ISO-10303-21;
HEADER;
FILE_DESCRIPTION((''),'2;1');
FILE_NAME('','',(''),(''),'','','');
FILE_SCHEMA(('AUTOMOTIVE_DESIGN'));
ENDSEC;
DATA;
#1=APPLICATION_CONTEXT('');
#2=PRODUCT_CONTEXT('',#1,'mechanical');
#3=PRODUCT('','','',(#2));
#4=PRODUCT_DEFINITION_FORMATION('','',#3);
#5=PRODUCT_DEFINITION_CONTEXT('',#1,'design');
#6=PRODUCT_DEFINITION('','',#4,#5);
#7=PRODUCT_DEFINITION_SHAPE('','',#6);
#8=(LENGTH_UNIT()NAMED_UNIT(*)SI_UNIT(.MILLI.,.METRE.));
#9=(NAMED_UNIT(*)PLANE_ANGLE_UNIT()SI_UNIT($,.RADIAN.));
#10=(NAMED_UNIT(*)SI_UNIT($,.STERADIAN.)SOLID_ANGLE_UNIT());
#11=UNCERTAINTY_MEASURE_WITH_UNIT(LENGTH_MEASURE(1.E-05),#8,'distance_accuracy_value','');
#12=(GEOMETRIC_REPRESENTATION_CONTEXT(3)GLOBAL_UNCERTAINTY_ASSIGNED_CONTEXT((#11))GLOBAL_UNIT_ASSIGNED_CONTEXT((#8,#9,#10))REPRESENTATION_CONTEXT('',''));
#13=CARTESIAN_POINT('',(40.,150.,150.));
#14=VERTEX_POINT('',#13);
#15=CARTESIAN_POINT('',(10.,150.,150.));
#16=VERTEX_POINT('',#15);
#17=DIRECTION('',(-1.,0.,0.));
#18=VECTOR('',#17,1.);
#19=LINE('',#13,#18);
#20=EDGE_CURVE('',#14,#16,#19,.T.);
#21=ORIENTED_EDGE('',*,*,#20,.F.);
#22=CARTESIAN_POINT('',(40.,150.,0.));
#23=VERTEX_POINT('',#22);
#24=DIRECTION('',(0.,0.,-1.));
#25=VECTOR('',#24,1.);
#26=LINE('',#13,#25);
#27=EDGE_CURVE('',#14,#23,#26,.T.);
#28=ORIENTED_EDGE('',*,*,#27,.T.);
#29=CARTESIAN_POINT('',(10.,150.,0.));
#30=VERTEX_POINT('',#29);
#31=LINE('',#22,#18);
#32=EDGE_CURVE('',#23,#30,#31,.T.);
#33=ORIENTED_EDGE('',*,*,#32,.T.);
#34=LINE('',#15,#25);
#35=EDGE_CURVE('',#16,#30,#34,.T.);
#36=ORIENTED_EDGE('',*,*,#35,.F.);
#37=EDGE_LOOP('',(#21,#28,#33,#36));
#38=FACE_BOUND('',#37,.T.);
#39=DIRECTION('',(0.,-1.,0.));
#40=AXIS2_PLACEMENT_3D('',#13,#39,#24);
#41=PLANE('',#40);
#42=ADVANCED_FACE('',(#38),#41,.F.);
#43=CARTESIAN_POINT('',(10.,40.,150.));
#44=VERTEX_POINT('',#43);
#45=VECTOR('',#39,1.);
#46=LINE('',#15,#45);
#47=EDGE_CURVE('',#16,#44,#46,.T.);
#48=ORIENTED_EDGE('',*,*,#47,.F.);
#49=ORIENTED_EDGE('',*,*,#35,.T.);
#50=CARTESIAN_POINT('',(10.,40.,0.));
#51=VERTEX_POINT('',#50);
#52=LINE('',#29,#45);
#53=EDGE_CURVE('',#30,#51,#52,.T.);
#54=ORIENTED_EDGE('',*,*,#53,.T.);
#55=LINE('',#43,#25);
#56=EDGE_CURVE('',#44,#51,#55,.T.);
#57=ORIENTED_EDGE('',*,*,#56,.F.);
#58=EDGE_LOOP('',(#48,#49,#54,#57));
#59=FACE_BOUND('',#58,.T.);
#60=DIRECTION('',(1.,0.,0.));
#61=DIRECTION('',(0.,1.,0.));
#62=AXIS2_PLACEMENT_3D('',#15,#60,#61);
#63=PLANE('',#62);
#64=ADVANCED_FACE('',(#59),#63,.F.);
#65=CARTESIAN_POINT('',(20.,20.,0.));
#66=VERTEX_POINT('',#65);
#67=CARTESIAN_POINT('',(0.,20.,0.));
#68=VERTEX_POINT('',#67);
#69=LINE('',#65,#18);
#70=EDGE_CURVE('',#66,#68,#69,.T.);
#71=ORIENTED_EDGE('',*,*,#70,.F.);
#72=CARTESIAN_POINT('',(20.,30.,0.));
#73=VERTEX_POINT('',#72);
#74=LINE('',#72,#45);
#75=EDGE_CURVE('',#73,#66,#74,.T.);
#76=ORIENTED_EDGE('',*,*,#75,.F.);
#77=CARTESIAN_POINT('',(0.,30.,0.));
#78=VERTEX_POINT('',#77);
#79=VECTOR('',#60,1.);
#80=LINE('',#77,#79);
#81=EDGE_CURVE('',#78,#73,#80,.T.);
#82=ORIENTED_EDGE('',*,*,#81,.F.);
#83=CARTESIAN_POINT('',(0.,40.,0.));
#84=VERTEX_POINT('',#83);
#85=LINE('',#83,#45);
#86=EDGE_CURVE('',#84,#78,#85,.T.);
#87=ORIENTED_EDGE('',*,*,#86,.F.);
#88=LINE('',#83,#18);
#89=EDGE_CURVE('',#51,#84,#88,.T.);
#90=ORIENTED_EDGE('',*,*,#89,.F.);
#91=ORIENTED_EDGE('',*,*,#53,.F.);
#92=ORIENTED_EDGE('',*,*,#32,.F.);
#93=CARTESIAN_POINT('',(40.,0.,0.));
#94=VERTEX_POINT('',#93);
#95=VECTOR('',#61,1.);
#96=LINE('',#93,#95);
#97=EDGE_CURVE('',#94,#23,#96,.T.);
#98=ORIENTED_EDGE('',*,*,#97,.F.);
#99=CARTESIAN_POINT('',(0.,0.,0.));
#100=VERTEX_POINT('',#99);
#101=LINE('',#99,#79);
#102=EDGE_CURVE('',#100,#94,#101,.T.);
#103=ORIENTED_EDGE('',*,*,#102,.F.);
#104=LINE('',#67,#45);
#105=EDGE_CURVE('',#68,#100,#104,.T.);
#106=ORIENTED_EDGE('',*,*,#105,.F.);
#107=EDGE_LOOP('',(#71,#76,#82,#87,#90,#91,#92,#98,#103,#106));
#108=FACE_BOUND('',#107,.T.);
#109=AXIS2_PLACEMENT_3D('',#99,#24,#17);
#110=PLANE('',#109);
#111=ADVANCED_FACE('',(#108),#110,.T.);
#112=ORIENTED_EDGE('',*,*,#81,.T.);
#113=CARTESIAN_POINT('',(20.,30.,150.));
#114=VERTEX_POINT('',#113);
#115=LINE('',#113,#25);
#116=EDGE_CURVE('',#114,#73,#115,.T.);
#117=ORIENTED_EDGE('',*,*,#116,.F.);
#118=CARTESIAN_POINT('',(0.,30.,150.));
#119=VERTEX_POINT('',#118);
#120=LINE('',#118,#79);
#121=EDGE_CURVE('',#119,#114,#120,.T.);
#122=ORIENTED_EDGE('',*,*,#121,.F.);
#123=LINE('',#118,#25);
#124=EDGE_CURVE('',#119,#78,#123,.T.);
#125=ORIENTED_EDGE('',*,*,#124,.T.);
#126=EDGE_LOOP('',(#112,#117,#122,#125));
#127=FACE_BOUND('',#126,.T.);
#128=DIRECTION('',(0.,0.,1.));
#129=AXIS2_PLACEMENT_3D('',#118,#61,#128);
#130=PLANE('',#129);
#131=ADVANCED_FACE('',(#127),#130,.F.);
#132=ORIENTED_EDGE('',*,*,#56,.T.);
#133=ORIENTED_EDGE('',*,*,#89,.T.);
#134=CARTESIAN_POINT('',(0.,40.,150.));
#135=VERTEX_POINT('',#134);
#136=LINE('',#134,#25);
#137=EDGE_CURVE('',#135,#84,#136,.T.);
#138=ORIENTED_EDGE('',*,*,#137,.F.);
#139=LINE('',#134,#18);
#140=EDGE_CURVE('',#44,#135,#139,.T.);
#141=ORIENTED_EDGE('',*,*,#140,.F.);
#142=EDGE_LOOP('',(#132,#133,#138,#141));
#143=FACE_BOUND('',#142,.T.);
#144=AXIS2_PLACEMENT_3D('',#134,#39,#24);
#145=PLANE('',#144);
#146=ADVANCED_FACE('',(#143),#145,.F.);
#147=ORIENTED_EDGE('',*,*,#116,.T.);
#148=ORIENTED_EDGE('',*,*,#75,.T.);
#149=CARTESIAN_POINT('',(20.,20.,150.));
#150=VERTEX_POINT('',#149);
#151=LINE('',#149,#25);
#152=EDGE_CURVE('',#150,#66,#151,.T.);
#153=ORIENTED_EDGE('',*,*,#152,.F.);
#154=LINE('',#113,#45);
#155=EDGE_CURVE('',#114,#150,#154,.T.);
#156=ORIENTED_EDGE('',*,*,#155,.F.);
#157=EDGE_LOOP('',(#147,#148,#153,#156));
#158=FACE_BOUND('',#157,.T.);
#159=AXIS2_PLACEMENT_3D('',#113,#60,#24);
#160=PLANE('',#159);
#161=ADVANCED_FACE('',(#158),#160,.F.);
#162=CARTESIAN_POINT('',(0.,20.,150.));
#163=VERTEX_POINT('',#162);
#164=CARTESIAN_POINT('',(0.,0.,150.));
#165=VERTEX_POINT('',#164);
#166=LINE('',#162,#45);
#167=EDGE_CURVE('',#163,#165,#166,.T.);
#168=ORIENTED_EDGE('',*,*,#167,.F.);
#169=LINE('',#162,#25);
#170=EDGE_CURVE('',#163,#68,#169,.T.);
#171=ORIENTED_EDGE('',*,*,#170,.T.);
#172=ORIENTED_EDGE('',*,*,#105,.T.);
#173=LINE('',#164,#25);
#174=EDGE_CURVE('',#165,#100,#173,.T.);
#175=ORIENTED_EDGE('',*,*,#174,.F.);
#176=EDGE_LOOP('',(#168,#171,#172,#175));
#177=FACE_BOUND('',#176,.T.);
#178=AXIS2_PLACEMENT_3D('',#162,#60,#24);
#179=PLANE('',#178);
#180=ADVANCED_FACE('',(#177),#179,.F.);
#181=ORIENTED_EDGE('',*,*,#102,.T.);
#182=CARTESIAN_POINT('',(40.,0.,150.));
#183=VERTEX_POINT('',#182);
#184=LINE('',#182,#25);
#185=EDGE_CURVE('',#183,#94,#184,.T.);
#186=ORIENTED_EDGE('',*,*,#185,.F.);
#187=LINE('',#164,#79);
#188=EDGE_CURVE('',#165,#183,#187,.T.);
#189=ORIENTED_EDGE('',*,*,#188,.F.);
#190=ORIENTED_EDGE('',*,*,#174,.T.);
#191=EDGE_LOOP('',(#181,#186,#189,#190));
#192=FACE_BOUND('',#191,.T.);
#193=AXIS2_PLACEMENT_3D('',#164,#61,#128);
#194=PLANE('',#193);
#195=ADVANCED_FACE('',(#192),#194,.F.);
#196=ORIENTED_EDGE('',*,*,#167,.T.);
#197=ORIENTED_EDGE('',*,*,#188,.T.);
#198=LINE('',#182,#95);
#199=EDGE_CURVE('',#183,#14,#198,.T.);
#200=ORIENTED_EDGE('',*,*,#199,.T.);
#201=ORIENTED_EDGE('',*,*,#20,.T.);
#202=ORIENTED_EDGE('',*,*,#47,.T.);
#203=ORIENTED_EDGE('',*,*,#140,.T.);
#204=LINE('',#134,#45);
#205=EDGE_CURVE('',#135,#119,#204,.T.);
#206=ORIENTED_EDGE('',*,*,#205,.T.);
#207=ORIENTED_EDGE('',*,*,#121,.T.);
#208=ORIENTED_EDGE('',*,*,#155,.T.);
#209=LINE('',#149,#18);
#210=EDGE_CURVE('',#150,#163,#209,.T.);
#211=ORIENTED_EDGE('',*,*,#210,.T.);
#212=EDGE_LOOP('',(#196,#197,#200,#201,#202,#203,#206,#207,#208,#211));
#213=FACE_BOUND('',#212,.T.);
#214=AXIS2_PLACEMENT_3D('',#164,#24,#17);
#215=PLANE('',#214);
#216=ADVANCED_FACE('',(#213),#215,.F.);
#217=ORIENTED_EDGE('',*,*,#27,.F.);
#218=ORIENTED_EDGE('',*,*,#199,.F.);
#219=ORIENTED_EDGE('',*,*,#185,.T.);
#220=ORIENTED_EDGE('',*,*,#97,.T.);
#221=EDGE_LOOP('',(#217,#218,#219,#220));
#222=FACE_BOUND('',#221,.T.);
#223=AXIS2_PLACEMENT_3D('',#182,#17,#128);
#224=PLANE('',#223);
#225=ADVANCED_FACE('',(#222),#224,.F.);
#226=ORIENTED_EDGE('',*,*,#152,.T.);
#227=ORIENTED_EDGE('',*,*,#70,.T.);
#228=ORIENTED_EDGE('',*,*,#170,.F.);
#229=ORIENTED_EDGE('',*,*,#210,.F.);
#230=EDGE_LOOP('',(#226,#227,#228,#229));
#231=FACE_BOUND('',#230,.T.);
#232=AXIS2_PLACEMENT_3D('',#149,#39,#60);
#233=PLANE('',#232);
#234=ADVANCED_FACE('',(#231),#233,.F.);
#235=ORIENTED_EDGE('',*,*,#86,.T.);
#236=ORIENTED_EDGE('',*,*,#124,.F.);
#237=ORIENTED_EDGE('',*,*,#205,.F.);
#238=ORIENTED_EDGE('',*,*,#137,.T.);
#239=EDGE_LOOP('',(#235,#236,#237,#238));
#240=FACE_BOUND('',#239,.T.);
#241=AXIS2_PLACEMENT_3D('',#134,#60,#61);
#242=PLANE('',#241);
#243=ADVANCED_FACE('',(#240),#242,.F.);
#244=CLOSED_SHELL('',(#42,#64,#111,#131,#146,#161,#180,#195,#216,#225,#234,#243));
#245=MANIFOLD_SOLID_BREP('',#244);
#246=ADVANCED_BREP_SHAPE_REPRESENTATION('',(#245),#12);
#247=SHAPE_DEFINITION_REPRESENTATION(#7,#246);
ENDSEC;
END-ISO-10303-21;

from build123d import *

# Parameters (mm, degrees)
BOSS_EXTRUDE1_DEPTH = 150


with BuildPart() as part:
    # Sketch1 → Boss-Extrude1 (new body)
    with BuildSketch(Plane.XY):
        Polygon((40, 150), (10, 150), (10, 40), (0, 40), (0, 30), (20, 30), (20, 20), (0, 20), (0, 0), (40, 0), align=None)
    extrude(amount=BOSS_EXTRUDE1_DEPTH)


solid = part.part
